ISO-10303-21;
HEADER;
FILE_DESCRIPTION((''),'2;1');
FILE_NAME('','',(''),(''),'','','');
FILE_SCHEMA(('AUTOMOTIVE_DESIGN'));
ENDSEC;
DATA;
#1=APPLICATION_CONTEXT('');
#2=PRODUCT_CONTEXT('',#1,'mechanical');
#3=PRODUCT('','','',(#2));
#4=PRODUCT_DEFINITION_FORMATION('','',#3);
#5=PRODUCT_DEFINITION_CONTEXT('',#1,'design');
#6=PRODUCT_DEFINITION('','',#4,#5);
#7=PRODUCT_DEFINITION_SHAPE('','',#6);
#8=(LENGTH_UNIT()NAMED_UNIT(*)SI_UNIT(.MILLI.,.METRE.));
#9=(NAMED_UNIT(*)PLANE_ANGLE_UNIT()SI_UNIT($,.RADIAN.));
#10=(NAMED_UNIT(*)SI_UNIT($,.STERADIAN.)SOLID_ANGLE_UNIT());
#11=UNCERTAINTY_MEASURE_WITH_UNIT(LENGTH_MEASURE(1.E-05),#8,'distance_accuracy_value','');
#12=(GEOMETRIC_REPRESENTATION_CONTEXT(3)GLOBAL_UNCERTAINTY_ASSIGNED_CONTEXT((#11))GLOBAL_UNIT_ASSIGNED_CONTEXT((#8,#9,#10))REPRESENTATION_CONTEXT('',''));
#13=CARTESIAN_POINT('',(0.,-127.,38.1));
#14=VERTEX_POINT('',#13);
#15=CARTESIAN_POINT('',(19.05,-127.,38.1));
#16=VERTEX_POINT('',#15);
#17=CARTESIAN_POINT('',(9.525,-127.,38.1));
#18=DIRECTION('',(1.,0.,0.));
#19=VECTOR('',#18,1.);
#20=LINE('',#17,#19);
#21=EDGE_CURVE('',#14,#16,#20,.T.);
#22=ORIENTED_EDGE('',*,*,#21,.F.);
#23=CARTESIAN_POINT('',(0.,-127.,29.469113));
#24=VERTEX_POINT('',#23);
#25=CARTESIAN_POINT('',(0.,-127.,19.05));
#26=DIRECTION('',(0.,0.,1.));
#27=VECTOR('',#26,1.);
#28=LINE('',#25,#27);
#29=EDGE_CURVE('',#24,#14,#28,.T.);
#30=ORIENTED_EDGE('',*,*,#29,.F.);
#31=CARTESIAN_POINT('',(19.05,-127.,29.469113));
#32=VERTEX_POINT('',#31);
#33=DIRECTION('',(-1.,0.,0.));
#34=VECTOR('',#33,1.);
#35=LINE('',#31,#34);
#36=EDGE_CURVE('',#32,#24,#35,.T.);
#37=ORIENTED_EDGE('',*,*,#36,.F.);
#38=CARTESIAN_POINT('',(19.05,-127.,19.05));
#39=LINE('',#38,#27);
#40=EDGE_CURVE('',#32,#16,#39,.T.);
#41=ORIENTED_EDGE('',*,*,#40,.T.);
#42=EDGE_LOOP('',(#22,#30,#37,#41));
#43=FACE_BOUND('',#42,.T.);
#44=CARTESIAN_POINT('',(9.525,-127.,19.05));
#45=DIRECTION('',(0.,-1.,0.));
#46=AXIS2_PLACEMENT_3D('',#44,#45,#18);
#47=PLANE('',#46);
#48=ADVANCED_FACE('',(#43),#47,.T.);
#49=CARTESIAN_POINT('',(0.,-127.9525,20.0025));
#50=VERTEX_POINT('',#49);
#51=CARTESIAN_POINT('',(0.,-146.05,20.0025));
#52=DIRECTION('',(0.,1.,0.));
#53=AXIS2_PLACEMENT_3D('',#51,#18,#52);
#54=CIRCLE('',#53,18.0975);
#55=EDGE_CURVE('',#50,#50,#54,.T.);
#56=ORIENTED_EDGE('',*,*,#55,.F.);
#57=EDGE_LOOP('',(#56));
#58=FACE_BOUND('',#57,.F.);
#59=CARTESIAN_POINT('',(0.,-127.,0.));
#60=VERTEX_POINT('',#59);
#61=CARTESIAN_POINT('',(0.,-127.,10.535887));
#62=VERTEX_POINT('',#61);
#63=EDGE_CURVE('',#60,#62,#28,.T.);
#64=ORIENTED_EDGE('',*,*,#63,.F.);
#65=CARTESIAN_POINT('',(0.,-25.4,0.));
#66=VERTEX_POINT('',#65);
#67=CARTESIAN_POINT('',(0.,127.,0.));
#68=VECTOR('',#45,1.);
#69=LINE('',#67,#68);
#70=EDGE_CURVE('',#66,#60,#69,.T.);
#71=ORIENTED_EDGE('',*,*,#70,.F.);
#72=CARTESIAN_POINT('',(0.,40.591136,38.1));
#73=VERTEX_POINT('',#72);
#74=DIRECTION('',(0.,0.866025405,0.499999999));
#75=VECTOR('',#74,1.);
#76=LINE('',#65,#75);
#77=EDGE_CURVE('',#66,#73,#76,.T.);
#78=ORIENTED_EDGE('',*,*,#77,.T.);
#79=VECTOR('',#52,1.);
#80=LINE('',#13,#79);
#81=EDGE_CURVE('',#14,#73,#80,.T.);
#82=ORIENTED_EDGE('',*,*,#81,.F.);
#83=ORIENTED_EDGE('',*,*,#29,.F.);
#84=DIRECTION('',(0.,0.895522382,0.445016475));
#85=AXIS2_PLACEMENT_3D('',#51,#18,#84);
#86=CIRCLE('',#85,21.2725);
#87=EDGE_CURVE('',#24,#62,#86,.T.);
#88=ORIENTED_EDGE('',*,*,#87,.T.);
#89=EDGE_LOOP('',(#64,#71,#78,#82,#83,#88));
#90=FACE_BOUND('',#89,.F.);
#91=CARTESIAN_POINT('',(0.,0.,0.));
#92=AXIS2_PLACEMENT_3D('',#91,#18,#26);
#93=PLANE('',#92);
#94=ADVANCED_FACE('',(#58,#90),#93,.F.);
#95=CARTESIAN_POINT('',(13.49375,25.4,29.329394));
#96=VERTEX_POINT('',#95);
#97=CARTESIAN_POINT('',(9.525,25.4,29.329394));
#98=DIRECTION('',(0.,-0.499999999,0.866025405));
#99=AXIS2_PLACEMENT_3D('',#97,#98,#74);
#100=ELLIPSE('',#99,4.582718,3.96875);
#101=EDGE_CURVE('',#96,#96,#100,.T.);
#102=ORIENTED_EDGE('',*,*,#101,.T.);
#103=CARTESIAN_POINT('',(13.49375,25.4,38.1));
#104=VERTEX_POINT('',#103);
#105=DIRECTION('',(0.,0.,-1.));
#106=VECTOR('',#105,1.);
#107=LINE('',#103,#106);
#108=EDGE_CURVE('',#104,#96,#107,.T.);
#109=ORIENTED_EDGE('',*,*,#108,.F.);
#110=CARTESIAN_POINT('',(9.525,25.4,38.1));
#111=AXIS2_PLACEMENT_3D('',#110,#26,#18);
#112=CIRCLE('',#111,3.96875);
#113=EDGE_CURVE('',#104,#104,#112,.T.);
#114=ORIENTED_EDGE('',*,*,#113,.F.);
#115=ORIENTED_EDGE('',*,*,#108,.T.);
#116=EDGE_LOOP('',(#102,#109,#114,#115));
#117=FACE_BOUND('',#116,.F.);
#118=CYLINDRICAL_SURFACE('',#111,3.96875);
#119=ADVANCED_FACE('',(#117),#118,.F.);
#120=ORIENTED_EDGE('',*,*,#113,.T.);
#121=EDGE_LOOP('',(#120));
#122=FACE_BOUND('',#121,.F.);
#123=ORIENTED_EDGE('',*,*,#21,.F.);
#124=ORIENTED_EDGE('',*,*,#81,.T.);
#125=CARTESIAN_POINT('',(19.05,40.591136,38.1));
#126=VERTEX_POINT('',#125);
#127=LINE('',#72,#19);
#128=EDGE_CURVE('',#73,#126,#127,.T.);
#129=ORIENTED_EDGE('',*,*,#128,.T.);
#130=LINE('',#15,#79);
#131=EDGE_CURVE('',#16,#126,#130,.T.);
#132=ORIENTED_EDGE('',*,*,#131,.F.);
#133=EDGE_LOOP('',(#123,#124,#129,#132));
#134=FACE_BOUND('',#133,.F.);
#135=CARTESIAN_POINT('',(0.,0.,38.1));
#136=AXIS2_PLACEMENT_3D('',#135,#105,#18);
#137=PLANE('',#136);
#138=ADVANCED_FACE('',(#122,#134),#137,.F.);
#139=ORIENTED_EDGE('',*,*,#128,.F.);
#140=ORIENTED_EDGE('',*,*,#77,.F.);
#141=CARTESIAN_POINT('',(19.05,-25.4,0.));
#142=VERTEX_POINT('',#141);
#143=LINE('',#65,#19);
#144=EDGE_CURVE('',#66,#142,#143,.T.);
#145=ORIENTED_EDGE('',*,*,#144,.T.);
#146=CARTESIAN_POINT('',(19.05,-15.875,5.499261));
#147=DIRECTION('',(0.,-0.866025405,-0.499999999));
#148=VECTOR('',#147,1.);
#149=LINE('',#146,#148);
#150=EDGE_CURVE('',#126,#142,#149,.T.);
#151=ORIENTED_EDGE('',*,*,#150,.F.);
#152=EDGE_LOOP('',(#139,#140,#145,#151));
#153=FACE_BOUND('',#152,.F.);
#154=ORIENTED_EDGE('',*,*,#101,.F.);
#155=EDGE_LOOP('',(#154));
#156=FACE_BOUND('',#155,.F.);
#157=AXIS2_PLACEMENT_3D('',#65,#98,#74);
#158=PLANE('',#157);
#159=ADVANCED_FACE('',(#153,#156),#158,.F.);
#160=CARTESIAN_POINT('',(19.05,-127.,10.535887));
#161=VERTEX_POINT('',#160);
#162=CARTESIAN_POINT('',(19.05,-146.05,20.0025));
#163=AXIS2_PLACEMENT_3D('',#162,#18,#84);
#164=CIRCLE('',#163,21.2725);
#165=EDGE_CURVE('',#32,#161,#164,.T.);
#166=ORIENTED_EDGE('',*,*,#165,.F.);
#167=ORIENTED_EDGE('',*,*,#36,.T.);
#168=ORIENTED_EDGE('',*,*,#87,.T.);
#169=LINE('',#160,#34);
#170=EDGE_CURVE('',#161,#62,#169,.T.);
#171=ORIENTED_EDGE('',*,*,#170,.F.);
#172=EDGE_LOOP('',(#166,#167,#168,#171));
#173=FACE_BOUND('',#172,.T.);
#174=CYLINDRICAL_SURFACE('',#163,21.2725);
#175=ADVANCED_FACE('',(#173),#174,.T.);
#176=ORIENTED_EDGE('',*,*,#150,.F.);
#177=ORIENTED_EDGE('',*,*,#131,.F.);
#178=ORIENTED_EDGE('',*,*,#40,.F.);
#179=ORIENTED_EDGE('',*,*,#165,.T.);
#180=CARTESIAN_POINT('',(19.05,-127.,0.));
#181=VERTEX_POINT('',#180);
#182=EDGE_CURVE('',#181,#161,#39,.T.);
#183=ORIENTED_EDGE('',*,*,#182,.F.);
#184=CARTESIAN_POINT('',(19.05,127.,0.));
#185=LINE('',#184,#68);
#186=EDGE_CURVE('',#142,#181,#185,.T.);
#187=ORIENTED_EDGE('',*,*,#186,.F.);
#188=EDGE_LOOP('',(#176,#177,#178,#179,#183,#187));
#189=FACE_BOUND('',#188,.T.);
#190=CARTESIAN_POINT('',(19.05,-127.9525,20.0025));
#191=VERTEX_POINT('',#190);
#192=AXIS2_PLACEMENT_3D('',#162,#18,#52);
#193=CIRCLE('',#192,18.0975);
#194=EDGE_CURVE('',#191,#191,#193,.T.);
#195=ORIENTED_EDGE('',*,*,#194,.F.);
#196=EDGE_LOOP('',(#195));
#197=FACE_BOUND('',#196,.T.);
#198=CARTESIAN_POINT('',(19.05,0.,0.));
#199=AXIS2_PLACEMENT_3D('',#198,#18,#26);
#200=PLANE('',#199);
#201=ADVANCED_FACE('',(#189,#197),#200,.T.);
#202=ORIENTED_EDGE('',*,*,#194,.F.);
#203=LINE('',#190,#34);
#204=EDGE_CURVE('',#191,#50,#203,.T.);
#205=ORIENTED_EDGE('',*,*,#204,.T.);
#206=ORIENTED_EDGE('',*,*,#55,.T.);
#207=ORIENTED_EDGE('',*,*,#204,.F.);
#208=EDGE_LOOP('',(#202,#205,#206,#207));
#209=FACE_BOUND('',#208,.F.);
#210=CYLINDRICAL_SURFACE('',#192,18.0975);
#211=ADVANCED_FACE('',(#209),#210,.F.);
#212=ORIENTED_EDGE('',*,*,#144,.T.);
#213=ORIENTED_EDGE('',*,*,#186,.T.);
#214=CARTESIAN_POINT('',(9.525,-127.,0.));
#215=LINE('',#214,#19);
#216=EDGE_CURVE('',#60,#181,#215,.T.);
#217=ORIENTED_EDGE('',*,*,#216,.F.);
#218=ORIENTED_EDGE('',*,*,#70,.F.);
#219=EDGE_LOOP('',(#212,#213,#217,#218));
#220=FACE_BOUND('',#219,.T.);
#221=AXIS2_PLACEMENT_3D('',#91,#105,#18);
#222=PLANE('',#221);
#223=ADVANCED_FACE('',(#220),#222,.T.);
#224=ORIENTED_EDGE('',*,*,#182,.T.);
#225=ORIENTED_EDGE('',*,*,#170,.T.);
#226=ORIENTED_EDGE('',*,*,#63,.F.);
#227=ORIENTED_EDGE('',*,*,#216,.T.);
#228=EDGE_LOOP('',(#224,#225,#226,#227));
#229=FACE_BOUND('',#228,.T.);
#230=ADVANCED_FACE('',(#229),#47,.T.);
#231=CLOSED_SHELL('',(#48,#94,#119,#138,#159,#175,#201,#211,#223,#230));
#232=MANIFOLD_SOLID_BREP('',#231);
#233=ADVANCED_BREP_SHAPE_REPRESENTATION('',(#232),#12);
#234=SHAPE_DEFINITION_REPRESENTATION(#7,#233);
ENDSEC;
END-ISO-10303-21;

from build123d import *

# Parameters (mm, degrees)
F0_W     = 19.05
F0_H     = 38.1
F1_DEPTH = 127
F2_R     = 18.0975
F3_DEPTH = 19.05
F5_R     = 3.96875
F6_DEPTH = 39.371
F8_DEPTH = 19.051


with BuildPart() as f1:
    # F0 (on Front) → F1 (new body, symmetric)
    with BuildSketch(Plane.XZ):
        with Locations((9.525, 19.05)):
            Rectangle(F0_W, F0_H)
    extrude(amount=F1_DEPTH, both=True)


with BuildPart() as f3:
    # F2 (on face) → F3 (new body)
    with BuildSketch(Plane.YZ.offset(19.05)):
        with BuildLine():
            Line((-127, 10.535887), (-127, 29.469113))
            ThreePointArc((-127, 29.469113), (-167.3225, 20.0025), (-127, 10.535887))
        make_face()
        with Locations((-146.05, 20.0025)):
            Circle(F2_R, mode=Mode.SUBTRACT)
    extrude(amount=-F3_DEPTH)

    # F4: union F1
    add(f1.part)

    # F5 (on face) → F6 (cut, through all)
    with BuildSketch(Plane.XY.offset(38.1)):
        with Locations((9.525, 25.4)):
            Circle(F5_R)
    extrude(amount=-F6_DEPTH, mode=Mode.SUBTRACT)

    # F7 (on face) → F8 (cut, through all)
    with BuildSketch(Plane(origin=(0, 0, 0), x_dir=(0, -1, 0), z_dir=(-1, 0, 0))):
        Polygon((-127, 0), (25.4, 0), (-40.591136, 38.1), (-127, 38.1), align=None)
    extrude(amount=-F8_DEPTH, mode=Mode.SUBTRACT)


solid = f3.part
